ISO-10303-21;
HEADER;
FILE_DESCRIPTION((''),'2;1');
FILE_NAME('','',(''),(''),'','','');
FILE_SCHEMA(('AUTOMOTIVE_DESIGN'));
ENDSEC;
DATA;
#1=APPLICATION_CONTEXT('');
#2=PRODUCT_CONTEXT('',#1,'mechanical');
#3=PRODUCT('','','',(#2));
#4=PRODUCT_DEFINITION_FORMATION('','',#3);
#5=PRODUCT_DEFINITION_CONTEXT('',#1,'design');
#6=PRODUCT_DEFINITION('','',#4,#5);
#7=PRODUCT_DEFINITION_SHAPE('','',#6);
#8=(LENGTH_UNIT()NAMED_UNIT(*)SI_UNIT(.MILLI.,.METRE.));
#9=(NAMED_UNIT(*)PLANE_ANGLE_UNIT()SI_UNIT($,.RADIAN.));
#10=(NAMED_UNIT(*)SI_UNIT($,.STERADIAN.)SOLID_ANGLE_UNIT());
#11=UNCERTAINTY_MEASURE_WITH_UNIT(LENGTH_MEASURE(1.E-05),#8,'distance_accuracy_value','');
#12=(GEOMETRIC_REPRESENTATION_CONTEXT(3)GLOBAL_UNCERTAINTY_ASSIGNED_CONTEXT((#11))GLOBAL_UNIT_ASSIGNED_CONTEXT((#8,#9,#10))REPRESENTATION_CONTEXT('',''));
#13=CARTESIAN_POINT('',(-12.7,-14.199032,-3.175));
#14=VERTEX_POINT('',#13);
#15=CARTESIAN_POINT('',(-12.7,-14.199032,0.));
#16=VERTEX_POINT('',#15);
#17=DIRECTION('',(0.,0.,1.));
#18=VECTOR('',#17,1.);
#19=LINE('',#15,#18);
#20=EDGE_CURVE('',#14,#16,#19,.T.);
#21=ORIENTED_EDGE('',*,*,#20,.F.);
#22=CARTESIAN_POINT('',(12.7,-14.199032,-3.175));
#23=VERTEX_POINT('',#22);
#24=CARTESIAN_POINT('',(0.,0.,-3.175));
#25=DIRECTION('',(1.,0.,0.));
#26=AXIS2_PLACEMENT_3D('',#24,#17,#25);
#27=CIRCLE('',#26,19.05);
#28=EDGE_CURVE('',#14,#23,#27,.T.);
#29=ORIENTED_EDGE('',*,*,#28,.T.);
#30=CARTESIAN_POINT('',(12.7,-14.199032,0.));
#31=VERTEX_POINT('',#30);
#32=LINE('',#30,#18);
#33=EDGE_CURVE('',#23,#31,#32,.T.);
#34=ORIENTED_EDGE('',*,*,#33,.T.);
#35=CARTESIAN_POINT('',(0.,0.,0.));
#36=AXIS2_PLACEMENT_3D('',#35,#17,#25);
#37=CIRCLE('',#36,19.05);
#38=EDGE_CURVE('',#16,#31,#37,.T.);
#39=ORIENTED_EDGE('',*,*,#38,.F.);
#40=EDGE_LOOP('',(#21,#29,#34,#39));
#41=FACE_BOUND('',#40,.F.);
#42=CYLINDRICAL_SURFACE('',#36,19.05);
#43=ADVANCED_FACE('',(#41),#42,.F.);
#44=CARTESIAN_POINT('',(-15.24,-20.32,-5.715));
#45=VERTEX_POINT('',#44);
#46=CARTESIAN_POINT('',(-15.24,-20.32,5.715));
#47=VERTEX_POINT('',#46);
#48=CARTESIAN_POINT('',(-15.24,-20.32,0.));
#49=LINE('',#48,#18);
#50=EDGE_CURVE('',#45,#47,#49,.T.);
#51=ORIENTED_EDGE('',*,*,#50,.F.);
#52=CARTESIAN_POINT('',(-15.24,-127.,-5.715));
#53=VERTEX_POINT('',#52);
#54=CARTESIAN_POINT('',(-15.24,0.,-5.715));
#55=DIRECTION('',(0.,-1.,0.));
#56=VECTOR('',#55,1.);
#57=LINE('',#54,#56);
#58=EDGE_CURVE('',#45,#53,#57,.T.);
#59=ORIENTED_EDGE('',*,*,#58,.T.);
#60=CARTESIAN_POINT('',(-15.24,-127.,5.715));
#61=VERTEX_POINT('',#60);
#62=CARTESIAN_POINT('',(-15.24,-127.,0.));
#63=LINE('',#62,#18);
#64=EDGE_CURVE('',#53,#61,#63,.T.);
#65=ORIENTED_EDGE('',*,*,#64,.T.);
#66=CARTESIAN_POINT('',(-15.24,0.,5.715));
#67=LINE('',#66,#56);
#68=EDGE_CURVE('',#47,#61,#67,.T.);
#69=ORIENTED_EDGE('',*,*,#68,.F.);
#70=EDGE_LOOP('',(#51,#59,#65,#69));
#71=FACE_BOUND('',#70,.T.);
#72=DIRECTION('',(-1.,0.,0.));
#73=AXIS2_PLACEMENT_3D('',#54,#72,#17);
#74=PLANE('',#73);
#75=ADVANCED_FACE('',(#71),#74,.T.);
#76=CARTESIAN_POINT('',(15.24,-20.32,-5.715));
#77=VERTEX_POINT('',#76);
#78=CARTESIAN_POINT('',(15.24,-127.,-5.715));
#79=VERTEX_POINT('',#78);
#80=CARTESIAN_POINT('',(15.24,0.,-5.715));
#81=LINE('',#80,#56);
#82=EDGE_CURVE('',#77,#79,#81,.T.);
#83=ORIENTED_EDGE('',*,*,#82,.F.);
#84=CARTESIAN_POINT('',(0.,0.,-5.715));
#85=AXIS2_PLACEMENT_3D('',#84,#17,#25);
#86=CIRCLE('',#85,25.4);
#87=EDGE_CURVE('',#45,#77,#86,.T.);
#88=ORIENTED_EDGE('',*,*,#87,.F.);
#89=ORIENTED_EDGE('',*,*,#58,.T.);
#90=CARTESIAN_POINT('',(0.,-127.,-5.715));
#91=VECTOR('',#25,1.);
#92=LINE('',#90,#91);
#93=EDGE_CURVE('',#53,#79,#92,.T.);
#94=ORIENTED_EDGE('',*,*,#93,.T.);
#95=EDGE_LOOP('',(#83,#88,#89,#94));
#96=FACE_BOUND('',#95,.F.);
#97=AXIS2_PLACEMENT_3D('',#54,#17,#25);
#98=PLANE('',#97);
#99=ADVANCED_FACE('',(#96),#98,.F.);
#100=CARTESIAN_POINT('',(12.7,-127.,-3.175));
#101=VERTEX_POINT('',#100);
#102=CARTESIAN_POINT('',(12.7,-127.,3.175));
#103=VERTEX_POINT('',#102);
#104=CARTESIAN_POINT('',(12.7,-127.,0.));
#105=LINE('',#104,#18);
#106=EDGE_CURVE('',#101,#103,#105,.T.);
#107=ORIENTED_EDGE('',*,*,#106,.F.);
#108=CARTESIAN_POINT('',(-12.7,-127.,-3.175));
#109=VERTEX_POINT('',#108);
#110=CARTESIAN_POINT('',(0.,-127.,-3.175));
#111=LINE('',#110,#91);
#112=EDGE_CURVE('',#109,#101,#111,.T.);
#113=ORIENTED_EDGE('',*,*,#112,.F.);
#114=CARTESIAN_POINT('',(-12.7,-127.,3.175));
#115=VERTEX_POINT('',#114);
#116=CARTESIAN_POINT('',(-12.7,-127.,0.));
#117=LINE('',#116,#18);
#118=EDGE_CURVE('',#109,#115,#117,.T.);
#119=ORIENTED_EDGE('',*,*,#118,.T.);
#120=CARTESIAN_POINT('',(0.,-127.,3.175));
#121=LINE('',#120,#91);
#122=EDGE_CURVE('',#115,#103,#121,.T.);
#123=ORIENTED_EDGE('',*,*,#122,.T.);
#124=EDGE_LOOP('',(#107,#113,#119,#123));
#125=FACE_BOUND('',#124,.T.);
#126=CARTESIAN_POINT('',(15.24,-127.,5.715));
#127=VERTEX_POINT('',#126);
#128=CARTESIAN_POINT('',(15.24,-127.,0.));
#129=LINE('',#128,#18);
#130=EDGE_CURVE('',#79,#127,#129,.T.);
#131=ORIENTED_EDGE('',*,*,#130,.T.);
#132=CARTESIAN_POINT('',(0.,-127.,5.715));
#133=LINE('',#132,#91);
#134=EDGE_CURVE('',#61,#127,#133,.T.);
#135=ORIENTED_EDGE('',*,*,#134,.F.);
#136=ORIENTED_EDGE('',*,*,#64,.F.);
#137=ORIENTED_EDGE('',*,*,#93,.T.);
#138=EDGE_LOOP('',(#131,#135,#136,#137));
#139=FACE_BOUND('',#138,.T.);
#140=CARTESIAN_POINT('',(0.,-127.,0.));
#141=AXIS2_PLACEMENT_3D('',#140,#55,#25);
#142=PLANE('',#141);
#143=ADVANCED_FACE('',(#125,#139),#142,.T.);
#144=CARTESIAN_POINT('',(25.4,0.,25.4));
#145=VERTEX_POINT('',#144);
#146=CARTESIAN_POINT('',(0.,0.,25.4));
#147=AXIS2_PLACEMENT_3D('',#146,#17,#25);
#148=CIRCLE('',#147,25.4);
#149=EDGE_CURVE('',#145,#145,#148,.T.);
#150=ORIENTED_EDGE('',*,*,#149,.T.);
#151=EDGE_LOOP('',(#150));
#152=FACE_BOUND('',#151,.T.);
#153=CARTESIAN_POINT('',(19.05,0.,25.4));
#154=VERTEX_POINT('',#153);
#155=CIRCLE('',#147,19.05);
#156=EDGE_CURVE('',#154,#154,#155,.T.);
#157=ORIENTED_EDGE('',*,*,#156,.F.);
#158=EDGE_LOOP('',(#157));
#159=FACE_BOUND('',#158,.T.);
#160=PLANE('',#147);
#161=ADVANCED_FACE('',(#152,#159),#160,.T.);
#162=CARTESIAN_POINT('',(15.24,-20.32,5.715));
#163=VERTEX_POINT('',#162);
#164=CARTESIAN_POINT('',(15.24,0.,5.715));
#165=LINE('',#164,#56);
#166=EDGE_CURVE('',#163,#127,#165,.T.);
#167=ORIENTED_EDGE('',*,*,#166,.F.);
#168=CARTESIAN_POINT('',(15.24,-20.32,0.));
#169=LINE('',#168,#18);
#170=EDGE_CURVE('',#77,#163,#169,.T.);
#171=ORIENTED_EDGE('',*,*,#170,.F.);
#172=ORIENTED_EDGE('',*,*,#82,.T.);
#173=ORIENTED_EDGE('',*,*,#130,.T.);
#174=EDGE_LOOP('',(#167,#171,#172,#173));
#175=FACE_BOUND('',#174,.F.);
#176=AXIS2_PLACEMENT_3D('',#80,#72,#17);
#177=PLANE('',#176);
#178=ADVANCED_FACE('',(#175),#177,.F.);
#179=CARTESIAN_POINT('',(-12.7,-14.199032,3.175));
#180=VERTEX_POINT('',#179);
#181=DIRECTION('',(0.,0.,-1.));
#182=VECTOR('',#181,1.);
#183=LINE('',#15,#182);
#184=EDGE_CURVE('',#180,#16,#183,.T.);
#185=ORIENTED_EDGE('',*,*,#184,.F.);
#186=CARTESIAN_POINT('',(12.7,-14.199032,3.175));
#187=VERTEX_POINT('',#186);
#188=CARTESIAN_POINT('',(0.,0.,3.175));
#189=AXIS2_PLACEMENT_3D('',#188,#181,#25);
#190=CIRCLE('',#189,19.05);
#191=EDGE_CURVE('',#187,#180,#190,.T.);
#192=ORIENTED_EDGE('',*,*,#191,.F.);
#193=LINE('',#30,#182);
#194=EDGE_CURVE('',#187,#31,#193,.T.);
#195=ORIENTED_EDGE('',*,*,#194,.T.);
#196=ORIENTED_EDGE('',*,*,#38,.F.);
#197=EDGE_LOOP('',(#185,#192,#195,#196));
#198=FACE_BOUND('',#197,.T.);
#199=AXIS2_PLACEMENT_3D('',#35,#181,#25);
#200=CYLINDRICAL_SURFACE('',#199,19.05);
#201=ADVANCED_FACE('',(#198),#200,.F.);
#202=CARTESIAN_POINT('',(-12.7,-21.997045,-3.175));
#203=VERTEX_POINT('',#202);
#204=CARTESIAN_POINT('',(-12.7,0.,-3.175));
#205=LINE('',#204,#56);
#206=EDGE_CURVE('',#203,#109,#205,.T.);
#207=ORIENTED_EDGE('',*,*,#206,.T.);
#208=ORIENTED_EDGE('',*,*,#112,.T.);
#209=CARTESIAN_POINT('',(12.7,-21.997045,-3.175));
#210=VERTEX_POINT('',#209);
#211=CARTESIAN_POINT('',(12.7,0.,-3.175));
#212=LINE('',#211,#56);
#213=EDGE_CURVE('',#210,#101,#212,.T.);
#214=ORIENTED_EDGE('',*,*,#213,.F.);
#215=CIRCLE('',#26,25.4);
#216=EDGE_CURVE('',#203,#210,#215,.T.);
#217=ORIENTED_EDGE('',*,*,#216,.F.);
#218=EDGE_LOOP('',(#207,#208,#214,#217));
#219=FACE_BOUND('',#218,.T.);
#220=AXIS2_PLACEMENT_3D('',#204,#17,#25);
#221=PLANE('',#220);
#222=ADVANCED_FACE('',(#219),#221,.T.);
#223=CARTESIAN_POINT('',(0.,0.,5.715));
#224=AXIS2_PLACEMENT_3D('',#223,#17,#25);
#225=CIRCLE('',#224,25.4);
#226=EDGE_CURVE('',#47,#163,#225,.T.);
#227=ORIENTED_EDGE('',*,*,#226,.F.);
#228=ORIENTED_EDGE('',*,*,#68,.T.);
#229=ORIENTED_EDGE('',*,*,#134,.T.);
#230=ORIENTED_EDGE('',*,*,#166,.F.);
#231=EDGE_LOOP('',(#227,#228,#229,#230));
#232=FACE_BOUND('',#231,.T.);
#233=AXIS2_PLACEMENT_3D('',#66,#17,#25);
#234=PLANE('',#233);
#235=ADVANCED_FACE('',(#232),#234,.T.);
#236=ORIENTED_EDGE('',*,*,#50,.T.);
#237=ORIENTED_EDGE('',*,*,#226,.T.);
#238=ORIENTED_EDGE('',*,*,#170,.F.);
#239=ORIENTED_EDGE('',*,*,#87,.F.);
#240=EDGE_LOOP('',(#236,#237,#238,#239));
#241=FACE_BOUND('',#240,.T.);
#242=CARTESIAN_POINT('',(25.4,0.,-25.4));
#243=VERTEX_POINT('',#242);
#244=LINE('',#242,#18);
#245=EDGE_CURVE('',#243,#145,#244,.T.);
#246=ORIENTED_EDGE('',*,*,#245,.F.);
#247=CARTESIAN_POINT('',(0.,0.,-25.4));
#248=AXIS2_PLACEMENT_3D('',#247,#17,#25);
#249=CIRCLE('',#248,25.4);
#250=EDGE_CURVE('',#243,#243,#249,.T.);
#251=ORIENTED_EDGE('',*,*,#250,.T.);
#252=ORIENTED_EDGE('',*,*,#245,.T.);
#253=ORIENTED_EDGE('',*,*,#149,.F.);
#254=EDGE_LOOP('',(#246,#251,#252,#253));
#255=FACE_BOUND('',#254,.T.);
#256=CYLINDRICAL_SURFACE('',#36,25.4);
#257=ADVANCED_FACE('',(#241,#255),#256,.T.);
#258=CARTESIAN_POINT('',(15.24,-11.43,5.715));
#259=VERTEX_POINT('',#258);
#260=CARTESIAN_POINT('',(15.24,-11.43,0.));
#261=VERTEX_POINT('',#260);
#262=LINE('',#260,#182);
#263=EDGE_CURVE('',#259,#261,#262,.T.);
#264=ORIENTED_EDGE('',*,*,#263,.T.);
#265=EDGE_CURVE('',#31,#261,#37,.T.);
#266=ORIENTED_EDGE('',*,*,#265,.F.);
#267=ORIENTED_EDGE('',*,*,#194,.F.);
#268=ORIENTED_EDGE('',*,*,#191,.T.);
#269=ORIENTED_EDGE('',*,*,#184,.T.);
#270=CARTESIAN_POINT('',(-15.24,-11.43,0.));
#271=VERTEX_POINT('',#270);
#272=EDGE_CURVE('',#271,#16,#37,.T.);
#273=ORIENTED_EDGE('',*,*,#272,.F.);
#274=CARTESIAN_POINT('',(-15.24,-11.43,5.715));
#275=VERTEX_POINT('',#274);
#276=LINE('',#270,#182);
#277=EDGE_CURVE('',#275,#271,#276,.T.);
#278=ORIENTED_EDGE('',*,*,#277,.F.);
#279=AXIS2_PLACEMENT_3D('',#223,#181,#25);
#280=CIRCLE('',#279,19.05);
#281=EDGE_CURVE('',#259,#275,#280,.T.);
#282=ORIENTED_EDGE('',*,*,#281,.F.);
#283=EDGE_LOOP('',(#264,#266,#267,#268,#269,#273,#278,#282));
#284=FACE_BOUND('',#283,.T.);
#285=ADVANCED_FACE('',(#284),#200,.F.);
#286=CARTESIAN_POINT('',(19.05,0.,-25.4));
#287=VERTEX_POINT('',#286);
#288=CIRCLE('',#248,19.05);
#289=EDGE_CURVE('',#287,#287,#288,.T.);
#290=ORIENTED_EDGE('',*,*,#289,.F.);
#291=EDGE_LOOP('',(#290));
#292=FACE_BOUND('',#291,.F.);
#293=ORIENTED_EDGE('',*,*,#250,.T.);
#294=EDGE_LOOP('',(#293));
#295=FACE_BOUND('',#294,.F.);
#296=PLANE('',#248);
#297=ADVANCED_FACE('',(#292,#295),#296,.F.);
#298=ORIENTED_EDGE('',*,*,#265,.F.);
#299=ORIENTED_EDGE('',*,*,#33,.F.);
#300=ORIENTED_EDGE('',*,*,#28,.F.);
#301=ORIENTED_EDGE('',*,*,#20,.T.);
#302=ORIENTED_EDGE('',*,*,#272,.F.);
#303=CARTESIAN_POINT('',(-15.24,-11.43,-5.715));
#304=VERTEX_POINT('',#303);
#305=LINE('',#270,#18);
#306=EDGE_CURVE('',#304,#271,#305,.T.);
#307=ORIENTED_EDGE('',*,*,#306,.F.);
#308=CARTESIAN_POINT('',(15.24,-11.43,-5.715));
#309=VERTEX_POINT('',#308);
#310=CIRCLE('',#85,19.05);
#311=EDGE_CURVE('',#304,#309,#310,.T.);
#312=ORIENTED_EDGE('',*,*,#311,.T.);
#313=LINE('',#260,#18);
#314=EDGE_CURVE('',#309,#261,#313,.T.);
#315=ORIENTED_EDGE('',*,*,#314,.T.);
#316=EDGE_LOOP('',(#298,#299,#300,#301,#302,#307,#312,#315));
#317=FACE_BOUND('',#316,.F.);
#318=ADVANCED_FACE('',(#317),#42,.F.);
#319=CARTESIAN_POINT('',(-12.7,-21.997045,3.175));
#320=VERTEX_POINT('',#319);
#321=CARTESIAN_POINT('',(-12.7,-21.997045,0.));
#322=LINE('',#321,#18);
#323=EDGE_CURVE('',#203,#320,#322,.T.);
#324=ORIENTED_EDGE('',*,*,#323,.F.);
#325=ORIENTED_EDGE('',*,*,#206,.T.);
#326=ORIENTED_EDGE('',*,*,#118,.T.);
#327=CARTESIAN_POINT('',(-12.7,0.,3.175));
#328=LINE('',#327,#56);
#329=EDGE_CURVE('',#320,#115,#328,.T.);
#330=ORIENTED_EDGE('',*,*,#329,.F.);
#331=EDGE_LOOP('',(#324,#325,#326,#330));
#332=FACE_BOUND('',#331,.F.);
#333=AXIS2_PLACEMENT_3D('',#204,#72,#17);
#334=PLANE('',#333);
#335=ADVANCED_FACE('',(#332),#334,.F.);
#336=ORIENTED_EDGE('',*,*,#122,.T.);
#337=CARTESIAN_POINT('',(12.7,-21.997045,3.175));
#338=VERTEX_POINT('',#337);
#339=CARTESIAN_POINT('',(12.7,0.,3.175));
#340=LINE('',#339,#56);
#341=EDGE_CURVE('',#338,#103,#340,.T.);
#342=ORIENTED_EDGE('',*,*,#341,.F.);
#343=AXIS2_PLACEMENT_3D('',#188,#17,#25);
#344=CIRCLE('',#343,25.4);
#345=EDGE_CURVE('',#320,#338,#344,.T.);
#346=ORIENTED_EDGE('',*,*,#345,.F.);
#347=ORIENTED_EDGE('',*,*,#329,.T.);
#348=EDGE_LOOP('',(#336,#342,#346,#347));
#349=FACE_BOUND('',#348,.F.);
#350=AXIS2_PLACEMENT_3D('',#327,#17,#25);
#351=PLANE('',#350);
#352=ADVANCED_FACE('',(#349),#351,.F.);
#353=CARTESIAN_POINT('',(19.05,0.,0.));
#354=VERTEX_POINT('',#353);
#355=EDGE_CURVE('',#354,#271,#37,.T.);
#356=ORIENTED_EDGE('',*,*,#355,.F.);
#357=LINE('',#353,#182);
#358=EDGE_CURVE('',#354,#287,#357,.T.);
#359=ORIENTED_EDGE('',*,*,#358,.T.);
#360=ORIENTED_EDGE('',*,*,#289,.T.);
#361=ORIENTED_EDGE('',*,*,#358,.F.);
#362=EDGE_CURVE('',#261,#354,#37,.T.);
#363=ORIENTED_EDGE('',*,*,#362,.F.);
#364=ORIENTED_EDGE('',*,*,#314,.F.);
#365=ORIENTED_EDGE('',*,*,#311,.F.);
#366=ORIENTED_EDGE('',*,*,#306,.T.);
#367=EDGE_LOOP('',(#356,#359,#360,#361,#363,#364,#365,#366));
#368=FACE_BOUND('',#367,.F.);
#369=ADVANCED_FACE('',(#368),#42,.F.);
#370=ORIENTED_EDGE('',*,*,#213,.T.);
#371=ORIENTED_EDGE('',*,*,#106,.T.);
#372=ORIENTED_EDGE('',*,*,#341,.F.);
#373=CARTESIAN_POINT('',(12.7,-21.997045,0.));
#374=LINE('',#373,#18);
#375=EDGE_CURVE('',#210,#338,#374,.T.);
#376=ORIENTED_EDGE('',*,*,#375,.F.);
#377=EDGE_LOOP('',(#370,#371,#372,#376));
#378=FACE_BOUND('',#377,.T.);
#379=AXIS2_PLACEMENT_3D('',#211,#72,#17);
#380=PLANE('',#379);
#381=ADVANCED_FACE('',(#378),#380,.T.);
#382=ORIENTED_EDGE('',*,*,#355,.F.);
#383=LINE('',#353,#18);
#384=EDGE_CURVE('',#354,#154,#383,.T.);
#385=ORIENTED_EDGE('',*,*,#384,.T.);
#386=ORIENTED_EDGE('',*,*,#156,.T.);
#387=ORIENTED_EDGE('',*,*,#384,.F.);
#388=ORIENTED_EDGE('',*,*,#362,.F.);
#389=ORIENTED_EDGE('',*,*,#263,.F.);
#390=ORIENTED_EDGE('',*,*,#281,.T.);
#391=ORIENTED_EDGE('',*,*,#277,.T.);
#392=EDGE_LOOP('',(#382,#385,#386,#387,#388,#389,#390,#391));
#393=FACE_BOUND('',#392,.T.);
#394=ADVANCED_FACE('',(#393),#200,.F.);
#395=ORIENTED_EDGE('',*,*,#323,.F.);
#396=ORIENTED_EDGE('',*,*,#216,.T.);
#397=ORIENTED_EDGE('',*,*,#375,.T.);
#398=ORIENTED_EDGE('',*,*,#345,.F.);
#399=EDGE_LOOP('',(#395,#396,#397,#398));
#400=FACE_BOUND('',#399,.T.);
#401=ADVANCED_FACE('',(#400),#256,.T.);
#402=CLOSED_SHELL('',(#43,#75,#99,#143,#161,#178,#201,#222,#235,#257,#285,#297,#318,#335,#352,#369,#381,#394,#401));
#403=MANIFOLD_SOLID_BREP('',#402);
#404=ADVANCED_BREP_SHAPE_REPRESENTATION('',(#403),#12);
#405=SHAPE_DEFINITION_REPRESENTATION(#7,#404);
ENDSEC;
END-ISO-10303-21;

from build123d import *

# Parameters (mm, degrees)
F0_R          = 25.4
F0_R_2        = 19.05
F1_DEPTH      = 25.4
F1_DEPTH_BACK = 25.4
F2_W          = 30.48
F2_H          = 11.43
F2_W_2        = 25.4
F2_H_2        = 6.35
F3_DEPTH      = 127
F4_DEPTH      = 25.401
F4_DEPTH_BACK = 25.401


with BuildPart() as f1:
    # F0 (on Top) → F1 (new body, two sides)
    with BuildSketch(Plane.XY) as f1_sk:
        Circle(F0_R)
        Circle(F0_R_2, mode=Mode.SUBTRACT)
    extrude(amount=F1_DEPTH)
    extrude(f1_sk.sketch, amount=-F1_DEPTH_BACK)

    # F2 (on Front) → F3 (join)
    with BuildSketch(Plane.XZ):
        Rectangle(F2_W, F2_H)
        Rectangle(F2_W_2, F2_H_2, mode=Mode.SUBTRACT)
    extrude(amount=F3_DEPTH)

    # F0 (on Top) → F4 (cut, two sides)
    with BuildSketch(Plane.XY) as f4_sk:
        Circle(F0_R_2)
    extrude(amount=-F4_DEPTH, mode=Mode.SUBTRACT)
    extrude(f4_sk.sketch, amount=F4_DEPTH_BACK, mode=Mode.SUBTRACT)


solid = f1.part
